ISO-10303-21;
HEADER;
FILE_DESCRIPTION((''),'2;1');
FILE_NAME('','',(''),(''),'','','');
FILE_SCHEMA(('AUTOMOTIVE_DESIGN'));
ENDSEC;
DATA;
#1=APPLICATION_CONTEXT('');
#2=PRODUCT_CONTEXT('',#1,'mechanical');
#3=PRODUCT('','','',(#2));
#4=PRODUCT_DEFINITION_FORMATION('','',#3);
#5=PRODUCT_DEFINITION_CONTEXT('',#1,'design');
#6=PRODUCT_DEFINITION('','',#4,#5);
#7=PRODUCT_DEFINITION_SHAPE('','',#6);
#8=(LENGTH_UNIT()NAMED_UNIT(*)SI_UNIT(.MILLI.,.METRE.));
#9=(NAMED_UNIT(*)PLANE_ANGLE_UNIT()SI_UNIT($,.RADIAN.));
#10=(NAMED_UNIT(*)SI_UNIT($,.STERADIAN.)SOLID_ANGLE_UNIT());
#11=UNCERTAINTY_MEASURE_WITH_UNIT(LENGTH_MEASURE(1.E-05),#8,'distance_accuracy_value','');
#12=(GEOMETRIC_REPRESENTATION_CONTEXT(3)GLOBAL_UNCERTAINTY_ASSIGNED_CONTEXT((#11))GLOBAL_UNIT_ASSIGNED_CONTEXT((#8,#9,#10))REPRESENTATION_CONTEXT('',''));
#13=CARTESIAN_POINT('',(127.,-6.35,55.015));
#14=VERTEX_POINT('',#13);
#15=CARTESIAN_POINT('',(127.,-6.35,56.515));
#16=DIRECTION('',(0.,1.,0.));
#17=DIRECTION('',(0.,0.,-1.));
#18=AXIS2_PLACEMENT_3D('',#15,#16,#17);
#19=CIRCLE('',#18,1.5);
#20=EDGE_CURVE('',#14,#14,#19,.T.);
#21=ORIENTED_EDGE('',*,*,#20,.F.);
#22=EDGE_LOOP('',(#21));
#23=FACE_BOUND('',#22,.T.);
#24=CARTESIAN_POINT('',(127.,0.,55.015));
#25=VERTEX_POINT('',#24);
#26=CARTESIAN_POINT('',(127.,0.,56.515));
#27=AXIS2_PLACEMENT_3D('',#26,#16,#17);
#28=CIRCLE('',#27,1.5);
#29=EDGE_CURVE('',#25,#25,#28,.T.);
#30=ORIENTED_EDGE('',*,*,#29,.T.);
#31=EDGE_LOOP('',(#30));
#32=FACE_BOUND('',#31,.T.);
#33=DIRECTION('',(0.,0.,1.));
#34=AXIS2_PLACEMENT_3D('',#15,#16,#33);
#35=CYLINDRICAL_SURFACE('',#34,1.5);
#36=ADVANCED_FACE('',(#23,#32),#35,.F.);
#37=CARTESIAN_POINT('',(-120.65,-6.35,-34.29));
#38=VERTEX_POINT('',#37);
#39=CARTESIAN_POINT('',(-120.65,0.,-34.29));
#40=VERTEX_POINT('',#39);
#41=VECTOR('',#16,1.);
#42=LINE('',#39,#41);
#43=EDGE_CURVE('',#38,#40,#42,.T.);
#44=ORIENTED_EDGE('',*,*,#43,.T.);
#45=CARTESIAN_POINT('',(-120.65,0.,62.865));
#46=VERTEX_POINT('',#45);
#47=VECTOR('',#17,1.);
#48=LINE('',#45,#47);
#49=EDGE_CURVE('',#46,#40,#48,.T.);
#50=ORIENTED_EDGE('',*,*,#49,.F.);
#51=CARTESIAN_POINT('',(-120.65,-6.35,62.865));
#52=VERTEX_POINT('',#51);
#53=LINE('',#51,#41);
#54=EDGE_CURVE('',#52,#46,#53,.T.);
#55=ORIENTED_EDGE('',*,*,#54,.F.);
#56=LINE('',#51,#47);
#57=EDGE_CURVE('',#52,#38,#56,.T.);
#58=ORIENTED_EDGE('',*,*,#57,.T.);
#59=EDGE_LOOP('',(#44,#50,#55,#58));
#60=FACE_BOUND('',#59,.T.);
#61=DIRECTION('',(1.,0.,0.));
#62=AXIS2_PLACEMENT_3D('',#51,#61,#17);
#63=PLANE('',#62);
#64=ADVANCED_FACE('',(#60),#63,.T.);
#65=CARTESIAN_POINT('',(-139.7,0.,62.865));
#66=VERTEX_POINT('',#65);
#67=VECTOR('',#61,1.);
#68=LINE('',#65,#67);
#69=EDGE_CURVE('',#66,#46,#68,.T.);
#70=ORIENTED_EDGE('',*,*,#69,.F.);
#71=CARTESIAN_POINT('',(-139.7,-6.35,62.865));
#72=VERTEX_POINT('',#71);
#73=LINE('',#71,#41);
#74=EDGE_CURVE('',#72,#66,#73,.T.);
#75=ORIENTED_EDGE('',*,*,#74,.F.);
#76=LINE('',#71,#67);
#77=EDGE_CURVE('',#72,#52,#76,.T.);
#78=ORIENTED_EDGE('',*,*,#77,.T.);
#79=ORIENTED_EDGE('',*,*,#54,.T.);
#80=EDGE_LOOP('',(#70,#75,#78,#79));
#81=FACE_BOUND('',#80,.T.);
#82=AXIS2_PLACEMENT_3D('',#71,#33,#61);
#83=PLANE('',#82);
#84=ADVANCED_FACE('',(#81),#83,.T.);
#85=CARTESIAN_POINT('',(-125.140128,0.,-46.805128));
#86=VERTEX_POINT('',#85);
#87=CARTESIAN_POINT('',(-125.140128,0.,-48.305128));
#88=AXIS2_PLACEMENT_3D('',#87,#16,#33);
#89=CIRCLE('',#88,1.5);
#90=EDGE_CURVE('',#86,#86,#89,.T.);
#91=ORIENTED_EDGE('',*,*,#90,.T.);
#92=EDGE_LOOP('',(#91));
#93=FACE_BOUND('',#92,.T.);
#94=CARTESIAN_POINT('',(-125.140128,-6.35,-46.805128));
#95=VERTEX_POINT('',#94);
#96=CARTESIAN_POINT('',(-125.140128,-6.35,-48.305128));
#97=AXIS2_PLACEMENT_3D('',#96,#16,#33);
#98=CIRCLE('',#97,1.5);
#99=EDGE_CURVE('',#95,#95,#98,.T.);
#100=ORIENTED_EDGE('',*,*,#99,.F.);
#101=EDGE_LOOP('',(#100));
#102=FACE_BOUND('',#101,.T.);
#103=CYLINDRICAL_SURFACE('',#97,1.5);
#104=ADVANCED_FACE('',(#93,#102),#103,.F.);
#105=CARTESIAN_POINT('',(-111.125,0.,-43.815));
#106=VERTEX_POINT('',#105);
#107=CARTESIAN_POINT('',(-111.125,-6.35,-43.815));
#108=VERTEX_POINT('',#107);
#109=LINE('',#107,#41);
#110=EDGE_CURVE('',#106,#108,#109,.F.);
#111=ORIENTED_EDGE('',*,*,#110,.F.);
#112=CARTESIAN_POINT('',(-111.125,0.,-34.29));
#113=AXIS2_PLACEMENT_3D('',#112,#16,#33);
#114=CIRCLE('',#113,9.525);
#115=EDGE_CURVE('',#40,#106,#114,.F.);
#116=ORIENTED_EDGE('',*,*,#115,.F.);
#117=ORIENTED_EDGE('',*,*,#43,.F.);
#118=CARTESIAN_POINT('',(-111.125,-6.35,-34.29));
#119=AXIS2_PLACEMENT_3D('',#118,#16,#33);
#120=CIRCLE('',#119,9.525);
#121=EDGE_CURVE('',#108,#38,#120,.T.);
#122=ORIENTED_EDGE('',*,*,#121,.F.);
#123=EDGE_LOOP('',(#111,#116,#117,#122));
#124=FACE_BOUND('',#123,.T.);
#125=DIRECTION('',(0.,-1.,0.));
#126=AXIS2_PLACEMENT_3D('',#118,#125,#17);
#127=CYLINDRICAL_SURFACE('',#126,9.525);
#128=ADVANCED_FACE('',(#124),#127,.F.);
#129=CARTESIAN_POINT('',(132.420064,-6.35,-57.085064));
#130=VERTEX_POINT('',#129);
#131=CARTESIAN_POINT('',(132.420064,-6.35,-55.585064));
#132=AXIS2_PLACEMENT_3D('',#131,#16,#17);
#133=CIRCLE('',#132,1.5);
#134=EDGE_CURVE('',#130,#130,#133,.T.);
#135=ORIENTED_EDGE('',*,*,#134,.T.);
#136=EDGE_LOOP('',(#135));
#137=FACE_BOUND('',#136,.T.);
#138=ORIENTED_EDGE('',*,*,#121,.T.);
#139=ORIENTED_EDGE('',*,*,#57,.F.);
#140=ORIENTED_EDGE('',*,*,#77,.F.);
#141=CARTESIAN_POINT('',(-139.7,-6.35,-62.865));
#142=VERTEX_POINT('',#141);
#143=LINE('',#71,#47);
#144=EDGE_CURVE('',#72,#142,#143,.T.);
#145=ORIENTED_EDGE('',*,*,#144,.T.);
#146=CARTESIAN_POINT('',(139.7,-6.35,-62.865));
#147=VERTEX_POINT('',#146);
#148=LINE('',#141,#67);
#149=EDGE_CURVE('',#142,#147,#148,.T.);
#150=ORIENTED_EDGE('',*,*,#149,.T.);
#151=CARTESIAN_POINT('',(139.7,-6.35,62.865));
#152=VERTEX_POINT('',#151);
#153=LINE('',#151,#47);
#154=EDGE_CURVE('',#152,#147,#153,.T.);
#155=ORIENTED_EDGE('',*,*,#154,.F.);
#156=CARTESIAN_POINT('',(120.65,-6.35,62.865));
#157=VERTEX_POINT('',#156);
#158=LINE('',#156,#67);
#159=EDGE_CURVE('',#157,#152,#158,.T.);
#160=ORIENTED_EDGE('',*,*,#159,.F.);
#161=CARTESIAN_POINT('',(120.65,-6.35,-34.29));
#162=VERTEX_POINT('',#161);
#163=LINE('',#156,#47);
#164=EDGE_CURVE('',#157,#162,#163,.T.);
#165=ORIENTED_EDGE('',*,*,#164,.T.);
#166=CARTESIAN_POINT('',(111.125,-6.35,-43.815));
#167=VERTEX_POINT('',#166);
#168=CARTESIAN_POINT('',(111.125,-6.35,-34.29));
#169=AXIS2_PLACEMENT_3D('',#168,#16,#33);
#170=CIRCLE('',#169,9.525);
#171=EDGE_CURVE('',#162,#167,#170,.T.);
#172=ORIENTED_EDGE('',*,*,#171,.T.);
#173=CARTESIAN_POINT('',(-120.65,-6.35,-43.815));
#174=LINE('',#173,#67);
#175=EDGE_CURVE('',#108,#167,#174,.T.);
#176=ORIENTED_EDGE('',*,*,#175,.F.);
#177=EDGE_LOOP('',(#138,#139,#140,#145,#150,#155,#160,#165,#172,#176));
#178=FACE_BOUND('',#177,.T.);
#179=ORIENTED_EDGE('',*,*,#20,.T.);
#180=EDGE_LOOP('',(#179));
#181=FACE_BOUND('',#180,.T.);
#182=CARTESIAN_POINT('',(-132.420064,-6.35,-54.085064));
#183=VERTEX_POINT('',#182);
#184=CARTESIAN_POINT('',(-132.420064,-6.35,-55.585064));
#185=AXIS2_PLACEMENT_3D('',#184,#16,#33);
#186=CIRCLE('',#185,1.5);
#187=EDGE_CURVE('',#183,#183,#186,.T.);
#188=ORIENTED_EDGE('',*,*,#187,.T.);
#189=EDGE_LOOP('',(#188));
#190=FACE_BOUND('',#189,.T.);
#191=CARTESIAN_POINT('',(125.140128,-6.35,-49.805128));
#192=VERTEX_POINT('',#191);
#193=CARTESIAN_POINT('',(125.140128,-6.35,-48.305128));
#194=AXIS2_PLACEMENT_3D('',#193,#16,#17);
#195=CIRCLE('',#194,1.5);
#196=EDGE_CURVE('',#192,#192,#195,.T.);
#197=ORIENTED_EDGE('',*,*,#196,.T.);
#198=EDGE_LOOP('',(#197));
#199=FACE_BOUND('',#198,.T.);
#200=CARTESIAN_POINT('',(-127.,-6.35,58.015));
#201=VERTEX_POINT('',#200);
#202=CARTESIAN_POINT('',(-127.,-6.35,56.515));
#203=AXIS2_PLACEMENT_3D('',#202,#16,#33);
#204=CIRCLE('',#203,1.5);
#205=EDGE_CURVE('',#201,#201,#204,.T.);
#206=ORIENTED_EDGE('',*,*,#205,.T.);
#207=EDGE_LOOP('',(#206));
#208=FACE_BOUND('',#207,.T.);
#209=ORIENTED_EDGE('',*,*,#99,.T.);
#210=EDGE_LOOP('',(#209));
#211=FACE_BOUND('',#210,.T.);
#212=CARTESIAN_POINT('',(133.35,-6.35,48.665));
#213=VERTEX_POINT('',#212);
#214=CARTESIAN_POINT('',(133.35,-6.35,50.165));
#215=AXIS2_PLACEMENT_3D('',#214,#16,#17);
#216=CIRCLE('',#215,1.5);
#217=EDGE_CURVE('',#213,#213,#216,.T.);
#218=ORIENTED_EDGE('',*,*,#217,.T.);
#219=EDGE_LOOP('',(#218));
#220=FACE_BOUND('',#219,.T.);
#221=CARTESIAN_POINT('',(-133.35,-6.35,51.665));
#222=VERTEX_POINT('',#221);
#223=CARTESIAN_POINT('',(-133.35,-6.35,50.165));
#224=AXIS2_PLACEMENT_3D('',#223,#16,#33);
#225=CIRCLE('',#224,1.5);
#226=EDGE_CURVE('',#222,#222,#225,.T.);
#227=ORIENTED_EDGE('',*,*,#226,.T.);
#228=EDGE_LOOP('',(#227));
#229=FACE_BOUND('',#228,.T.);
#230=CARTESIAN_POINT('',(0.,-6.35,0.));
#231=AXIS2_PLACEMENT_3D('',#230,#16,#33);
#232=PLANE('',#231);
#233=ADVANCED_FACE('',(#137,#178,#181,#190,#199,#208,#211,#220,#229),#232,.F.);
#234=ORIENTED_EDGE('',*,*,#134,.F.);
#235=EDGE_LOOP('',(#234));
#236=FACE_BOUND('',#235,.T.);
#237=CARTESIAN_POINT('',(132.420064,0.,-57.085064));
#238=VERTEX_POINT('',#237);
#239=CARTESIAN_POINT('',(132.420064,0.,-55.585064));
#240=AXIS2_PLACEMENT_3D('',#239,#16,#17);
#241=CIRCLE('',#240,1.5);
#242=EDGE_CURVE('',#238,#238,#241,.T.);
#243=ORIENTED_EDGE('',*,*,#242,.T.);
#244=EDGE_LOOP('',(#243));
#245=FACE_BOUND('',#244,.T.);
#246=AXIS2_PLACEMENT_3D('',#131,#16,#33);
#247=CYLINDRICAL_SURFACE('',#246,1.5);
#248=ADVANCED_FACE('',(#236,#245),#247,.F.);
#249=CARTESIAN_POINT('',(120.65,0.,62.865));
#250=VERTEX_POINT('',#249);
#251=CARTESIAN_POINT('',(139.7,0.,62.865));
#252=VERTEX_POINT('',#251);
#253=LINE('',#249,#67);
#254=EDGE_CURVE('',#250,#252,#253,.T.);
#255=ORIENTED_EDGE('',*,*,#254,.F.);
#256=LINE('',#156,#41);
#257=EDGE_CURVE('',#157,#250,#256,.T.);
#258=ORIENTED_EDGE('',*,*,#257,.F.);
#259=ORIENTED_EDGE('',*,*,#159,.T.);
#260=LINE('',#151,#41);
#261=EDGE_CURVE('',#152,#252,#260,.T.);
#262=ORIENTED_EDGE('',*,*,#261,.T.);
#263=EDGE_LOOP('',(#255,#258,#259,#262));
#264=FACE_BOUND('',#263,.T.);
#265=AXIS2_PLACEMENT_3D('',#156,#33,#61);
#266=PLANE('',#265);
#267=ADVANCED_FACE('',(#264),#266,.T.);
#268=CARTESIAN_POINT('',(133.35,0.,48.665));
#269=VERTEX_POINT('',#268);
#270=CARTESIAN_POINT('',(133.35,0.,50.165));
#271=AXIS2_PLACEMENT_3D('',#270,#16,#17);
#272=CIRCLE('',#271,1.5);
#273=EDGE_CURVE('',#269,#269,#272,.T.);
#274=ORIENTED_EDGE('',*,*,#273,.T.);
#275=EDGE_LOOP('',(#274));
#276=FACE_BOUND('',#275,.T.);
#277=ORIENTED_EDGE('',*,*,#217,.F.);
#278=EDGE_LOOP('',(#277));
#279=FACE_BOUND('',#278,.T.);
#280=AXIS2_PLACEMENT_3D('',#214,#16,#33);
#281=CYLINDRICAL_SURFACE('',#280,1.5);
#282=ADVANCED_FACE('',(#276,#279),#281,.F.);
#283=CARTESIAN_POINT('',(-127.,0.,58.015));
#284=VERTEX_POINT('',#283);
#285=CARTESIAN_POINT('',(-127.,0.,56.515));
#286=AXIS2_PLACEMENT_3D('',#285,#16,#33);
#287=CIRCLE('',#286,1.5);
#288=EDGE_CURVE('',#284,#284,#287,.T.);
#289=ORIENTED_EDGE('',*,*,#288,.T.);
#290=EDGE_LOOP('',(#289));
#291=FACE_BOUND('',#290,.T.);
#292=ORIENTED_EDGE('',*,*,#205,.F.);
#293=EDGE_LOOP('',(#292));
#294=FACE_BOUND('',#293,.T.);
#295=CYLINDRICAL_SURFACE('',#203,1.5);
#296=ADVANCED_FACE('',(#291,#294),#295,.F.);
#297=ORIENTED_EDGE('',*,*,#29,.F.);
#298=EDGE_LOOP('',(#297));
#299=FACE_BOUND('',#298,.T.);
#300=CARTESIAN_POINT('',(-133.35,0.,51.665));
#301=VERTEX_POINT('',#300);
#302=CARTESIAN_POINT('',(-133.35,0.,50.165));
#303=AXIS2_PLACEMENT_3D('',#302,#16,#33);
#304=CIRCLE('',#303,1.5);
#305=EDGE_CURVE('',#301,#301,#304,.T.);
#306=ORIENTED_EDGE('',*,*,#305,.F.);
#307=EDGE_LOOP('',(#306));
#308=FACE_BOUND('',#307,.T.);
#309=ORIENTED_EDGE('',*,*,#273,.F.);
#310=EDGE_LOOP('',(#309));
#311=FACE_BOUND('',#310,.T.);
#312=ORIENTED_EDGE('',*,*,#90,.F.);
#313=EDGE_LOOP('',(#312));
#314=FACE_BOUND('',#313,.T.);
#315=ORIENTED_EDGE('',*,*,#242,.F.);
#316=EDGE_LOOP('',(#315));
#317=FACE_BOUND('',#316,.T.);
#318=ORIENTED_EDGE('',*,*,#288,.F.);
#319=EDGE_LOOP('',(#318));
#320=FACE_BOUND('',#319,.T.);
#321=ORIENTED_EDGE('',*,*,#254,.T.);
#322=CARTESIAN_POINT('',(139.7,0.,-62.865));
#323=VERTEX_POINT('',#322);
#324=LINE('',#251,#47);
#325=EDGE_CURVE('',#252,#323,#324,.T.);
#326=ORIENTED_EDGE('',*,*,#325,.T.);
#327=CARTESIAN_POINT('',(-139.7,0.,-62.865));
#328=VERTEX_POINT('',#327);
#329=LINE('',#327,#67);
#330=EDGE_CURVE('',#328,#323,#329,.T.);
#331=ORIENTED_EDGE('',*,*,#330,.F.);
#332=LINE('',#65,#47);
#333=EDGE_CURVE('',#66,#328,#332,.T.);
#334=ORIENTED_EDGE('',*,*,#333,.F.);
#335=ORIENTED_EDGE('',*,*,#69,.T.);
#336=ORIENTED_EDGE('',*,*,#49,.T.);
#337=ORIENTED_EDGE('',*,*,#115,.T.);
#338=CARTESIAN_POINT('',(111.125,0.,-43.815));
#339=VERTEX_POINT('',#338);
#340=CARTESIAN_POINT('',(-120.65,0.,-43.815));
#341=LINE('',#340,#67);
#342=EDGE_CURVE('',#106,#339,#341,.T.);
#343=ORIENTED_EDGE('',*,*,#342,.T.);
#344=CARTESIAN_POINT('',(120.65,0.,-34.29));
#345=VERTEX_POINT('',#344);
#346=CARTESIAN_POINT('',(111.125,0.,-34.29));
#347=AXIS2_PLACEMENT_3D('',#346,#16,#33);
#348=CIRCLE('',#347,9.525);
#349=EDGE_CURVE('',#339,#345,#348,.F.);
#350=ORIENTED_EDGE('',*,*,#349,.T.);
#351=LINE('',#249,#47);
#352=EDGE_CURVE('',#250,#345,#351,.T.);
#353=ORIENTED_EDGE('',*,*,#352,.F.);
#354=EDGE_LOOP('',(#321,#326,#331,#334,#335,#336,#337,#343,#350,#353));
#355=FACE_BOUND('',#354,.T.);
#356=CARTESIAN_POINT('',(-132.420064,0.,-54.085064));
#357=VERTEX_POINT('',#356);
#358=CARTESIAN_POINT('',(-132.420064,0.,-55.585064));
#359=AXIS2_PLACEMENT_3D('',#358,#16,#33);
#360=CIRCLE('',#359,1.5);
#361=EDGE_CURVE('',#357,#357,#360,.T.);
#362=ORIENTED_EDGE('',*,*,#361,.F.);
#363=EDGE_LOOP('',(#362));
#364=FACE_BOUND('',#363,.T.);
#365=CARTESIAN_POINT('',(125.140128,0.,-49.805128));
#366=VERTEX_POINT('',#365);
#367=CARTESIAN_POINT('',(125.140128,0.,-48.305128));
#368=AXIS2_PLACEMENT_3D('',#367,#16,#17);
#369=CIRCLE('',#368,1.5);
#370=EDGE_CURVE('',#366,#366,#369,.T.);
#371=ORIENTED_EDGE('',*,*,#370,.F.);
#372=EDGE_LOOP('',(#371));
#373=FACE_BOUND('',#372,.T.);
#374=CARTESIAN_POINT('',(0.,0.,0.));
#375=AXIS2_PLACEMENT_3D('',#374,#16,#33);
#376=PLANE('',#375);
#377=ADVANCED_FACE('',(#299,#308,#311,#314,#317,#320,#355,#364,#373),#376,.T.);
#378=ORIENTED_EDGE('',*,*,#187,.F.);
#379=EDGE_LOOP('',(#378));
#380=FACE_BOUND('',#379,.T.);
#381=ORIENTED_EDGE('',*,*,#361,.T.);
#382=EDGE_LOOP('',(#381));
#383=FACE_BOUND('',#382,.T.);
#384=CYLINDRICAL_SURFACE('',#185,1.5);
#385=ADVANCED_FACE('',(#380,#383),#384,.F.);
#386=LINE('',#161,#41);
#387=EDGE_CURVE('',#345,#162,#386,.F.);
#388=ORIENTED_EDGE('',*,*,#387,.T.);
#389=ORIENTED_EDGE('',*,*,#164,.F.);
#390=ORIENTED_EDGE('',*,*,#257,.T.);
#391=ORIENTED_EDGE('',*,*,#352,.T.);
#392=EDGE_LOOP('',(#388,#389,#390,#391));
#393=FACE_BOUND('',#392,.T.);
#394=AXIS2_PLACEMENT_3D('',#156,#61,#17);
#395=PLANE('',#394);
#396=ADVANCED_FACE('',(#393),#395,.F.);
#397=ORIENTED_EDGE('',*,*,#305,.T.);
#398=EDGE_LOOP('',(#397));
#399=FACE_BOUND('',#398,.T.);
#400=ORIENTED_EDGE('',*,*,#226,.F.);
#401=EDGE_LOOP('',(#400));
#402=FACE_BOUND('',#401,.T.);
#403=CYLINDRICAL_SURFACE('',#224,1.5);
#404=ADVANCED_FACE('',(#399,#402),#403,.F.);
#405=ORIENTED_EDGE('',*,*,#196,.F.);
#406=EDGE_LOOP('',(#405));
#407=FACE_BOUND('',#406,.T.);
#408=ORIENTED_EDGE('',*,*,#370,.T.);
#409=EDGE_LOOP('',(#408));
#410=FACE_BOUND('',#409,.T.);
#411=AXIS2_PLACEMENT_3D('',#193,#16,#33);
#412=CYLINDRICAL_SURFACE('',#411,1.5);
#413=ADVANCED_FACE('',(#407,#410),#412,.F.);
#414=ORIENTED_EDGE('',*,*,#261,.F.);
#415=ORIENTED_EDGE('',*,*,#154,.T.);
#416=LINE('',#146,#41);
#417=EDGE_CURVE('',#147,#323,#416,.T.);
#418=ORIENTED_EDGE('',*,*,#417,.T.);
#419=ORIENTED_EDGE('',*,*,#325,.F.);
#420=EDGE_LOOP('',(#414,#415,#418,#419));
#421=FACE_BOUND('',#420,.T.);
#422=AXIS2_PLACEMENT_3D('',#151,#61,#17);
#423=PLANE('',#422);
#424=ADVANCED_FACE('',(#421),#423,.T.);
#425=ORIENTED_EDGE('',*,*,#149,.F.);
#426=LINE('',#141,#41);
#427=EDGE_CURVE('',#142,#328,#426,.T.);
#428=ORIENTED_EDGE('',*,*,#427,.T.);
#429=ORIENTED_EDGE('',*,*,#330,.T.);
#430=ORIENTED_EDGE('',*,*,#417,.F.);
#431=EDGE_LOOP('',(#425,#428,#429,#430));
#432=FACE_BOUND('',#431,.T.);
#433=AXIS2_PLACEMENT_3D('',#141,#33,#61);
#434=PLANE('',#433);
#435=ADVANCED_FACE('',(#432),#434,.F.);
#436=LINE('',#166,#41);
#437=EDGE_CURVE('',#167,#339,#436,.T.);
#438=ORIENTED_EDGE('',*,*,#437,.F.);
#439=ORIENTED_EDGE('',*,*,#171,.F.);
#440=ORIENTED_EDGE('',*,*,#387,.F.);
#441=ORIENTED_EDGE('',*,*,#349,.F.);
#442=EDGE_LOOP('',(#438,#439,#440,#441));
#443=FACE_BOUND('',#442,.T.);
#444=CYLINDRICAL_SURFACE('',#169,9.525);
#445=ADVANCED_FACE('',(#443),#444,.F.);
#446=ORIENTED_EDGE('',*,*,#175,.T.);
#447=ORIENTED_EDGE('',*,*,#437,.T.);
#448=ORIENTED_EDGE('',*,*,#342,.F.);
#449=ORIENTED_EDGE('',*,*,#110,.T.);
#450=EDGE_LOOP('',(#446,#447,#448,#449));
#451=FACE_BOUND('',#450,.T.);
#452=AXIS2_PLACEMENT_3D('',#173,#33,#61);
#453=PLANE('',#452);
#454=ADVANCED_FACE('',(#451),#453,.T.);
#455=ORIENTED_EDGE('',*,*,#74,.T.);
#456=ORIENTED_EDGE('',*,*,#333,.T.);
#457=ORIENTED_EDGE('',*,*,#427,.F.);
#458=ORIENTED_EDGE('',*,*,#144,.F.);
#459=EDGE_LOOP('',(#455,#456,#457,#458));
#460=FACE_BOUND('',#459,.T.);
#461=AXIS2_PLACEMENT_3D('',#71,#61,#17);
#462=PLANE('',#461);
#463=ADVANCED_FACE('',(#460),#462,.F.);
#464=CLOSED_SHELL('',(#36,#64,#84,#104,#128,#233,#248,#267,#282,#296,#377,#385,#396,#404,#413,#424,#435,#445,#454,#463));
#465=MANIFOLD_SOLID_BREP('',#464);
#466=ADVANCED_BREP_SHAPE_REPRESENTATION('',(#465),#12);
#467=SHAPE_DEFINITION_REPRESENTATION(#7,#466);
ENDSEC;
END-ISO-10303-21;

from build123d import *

# Parameters (mm, degrees)
BOSS_EXTRUDE1_DEPTH = 6.35
FILLET1_R           = 9.525
SKETCH2_R           = 1.5
CUT_EXTRUDE1_DEPTH  = 154.324560084


with BuildPart() as part:
    # Sketch1 → Boss-Extrude1 (new body)
    with BuildSketch(Plane(origin=(0, 0, 0), x_dir=(1, 0, 0), z_dir=(0, 1, 0))):
        Polygon((-120.65, -62.865), (-120.65, 43.815), (120.65, 43.815), (120.65, -62.865), (139.7, -62.865), (139.7, 62.865), (-139.7, 62.865), (-139.7, -62.865), align=None)
    extrude(amount=-BOSS_EXTRUDE1_DEPTH)

    # Fillet1
    fillet1_edges = [part.edges().sort_by_distance(p)[0] for p in [
        (120.65, -3.175, -43.815),
        (-120.65, -3.175, -43.815),
    ]]
    fillet(fillet1_edges, radius=FILLET1_R)

    # Sketch2 → Cut-Extrude1 (cut, through all)
    with BuildSketch(Plane(origin=(0, 0, 0), x_dir=(1, 0, 0), z_dir=(0, 1, 0))):
        with Locations(Location((-133.35, -50.165, 0), (0, 0, 270))):
            Circle(SKETCH2_R)
        with Locations(Location((-127, -56.515, 0), (0, 0, 270))):
            Circle(SKETCH2_R)
        with Locations(Location((-132.42006403, 55.58506403, 0), (0, 0, 270))):
            Circle(SKETCH2_R)
        with Locations(Location((-125.140128061, 48.305128061, 0), (0, 0, 270))):
            Circle(SKETCH2_R)
        with Locations(Location((125.140128061, 48.305128061, 0), (0, 0, 90))):
            Circle(SKETCH2_R)
        with Locations(Location((132.42006403, 55.58506403, 0), (0, 0, 90))):
            Circle(SKETCH2_R)
        with Locations(Location((127, -56.515, 0), (0, 0, 90))):
            Circle(SKETCH2_R)
        with Locations(Location((133.35, -50.165, 0), (0, 0, 90))):
            Circle(SKETCH2_R)
    extrude(amount=-CUT_EXTRUDE1_DEPTH, mode=Mode.SUBTRACT)


solid = part.part
